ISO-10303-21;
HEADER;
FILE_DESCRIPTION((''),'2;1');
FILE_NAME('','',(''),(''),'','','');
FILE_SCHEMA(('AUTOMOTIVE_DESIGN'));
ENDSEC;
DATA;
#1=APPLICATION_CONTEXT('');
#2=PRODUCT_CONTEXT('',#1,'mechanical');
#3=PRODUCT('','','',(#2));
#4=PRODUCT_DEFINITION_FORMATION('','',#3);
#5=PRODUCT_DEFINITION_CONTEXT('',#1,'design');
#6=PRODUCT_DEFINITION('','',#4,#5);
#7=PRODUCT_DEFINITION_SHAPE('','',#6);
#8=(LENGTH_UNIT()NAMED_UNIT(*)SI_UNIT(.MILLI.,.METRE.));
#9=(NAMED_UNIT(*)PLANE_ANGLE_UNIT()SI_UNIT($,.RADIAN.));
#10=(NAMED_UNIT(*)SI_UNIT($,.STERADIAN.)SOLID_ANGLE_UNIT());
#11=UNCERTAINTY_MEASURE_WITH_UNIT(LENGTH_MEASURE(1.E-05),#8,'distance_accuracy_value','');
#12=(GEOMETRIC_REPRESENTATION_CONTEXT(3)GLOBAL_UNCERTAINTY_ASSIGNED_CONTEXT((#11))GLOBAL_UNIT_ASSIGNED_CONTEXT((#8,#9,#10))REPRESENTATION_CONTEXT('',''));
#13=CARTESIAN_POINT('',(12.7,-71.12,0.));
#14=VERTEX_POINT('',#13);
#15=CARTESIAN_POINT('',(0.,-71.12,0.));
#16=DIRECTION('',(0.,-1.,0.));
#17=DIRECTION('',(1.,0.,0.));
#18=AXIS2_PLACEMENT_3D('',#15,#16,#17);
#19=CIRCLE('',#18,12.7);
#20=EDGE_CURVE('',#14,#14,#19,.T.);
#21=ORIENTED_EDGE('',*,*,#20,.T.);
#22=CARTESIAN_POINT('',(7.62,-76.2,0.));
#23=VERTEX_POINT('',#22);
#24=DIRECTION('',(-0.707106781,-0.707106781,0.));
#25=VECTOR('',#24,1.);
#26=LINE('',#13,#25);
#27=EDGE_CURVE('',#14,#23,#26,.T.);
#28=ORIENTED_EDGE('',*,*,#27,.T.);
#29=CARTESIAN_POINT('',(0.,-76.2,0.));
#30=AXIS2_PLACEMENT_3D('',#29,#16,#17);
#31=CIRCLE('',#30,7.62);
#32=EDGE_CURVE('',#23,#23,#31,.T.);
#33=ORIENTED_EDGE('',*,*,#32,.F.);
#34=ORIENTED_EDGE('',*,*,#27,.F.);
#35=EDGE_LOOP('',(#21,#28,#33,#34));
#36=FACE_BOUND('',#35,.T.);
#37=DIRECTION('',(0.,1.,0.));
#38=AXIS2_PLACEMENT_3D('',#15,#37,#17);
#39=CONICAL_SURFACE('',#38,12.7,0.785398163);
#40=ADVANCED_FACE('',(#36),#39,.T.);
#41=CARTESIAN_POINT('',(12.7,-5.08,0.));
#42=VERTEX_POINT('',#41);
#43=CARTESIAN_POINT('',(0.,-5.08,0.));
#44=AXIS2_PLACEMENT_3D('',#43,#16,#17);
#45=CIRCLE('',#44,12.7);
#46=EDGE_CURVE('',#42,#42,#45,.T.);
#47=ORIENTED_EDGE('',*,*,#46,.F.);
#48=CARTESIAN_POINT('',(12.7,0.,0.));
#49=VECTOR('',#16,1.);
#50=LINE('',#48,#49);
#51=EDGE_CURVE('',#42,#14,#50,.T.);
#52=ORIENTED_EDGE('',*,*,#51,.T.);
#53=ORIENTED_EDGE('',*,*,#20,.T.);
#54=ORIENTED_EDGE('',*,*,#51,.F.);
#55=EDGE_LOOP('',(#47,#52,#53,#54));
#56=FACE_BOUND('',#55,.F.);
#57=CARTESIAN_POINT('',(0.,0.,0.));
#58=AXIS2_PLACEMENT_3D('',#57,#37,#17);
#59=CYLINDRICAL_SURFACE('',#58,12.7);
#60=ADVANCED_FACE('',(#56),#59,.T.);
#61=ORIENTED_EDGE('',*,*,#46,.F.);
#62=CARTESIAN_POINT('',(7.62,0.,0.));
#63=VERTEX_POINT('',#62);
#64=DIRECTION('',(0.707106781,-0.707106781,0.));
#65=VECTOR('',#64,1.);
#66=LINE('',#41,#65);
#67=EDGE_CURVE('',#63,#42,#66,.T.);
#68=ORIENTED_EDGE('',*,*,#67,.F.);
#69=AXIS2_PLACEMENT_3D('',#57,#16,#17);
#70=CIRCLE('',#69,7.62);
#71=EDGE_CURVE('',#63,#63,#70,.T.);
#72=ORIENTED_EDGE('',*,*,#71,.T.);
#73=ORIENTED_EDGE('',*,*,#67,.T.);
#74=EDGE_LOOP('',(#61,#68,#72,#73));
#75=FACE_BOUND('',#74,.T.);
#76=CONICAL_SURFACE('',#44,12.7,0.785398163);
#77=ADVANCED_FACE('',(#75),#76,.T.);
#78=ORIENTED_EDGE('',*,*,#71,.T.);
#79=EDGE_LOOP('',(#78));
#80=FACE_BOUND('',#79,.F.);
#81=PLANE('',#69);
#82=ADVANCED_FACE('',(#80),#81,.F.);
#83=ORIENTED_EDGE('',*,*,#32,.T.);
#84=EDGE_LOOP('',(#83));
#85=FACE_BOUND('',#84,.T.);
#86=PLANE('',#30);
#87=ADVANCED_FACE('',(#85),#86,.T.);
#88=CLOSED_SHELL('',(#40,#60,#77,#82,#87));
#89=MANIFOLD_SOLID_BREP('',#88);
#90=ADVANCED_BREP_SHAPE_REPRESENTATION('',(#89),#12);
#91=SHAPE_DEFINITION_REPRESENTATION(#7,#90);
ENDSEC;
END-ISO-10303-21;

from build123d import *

# Parameters (mm, degrees)
F0_R     = 12.7
F0_R_2   = 5.08
F1_DEPTH = 76.2
F2_DEPTH = 76.2
F3_SIZE  = 5.08


with BuildPart() as f1:
    # F0 (on Front) → F1 (new body)
    with BuildSketch(Plane.XZ):
        Circle(F0_R)
        Circle(F0_R_2, mode=Mode.SUBTRACT)
    extrude(amount=F1_DEPTH)

    # F0 (on Front) → F2 (join)
    with BuildSketch(Plane.XZ):
        Circle(F0_R_2)
    extrude(amount=F2_DEPTH)

    # F3
    f3_edges = [f1.edges().sort_by_distance(p)[0] for p in [
        (-12.7, -76.2, 0),
        (-12.7, 0, 0),
    ]]
    chamfer(f3_edges, length=F3_SIZE)


solid = f1.part
